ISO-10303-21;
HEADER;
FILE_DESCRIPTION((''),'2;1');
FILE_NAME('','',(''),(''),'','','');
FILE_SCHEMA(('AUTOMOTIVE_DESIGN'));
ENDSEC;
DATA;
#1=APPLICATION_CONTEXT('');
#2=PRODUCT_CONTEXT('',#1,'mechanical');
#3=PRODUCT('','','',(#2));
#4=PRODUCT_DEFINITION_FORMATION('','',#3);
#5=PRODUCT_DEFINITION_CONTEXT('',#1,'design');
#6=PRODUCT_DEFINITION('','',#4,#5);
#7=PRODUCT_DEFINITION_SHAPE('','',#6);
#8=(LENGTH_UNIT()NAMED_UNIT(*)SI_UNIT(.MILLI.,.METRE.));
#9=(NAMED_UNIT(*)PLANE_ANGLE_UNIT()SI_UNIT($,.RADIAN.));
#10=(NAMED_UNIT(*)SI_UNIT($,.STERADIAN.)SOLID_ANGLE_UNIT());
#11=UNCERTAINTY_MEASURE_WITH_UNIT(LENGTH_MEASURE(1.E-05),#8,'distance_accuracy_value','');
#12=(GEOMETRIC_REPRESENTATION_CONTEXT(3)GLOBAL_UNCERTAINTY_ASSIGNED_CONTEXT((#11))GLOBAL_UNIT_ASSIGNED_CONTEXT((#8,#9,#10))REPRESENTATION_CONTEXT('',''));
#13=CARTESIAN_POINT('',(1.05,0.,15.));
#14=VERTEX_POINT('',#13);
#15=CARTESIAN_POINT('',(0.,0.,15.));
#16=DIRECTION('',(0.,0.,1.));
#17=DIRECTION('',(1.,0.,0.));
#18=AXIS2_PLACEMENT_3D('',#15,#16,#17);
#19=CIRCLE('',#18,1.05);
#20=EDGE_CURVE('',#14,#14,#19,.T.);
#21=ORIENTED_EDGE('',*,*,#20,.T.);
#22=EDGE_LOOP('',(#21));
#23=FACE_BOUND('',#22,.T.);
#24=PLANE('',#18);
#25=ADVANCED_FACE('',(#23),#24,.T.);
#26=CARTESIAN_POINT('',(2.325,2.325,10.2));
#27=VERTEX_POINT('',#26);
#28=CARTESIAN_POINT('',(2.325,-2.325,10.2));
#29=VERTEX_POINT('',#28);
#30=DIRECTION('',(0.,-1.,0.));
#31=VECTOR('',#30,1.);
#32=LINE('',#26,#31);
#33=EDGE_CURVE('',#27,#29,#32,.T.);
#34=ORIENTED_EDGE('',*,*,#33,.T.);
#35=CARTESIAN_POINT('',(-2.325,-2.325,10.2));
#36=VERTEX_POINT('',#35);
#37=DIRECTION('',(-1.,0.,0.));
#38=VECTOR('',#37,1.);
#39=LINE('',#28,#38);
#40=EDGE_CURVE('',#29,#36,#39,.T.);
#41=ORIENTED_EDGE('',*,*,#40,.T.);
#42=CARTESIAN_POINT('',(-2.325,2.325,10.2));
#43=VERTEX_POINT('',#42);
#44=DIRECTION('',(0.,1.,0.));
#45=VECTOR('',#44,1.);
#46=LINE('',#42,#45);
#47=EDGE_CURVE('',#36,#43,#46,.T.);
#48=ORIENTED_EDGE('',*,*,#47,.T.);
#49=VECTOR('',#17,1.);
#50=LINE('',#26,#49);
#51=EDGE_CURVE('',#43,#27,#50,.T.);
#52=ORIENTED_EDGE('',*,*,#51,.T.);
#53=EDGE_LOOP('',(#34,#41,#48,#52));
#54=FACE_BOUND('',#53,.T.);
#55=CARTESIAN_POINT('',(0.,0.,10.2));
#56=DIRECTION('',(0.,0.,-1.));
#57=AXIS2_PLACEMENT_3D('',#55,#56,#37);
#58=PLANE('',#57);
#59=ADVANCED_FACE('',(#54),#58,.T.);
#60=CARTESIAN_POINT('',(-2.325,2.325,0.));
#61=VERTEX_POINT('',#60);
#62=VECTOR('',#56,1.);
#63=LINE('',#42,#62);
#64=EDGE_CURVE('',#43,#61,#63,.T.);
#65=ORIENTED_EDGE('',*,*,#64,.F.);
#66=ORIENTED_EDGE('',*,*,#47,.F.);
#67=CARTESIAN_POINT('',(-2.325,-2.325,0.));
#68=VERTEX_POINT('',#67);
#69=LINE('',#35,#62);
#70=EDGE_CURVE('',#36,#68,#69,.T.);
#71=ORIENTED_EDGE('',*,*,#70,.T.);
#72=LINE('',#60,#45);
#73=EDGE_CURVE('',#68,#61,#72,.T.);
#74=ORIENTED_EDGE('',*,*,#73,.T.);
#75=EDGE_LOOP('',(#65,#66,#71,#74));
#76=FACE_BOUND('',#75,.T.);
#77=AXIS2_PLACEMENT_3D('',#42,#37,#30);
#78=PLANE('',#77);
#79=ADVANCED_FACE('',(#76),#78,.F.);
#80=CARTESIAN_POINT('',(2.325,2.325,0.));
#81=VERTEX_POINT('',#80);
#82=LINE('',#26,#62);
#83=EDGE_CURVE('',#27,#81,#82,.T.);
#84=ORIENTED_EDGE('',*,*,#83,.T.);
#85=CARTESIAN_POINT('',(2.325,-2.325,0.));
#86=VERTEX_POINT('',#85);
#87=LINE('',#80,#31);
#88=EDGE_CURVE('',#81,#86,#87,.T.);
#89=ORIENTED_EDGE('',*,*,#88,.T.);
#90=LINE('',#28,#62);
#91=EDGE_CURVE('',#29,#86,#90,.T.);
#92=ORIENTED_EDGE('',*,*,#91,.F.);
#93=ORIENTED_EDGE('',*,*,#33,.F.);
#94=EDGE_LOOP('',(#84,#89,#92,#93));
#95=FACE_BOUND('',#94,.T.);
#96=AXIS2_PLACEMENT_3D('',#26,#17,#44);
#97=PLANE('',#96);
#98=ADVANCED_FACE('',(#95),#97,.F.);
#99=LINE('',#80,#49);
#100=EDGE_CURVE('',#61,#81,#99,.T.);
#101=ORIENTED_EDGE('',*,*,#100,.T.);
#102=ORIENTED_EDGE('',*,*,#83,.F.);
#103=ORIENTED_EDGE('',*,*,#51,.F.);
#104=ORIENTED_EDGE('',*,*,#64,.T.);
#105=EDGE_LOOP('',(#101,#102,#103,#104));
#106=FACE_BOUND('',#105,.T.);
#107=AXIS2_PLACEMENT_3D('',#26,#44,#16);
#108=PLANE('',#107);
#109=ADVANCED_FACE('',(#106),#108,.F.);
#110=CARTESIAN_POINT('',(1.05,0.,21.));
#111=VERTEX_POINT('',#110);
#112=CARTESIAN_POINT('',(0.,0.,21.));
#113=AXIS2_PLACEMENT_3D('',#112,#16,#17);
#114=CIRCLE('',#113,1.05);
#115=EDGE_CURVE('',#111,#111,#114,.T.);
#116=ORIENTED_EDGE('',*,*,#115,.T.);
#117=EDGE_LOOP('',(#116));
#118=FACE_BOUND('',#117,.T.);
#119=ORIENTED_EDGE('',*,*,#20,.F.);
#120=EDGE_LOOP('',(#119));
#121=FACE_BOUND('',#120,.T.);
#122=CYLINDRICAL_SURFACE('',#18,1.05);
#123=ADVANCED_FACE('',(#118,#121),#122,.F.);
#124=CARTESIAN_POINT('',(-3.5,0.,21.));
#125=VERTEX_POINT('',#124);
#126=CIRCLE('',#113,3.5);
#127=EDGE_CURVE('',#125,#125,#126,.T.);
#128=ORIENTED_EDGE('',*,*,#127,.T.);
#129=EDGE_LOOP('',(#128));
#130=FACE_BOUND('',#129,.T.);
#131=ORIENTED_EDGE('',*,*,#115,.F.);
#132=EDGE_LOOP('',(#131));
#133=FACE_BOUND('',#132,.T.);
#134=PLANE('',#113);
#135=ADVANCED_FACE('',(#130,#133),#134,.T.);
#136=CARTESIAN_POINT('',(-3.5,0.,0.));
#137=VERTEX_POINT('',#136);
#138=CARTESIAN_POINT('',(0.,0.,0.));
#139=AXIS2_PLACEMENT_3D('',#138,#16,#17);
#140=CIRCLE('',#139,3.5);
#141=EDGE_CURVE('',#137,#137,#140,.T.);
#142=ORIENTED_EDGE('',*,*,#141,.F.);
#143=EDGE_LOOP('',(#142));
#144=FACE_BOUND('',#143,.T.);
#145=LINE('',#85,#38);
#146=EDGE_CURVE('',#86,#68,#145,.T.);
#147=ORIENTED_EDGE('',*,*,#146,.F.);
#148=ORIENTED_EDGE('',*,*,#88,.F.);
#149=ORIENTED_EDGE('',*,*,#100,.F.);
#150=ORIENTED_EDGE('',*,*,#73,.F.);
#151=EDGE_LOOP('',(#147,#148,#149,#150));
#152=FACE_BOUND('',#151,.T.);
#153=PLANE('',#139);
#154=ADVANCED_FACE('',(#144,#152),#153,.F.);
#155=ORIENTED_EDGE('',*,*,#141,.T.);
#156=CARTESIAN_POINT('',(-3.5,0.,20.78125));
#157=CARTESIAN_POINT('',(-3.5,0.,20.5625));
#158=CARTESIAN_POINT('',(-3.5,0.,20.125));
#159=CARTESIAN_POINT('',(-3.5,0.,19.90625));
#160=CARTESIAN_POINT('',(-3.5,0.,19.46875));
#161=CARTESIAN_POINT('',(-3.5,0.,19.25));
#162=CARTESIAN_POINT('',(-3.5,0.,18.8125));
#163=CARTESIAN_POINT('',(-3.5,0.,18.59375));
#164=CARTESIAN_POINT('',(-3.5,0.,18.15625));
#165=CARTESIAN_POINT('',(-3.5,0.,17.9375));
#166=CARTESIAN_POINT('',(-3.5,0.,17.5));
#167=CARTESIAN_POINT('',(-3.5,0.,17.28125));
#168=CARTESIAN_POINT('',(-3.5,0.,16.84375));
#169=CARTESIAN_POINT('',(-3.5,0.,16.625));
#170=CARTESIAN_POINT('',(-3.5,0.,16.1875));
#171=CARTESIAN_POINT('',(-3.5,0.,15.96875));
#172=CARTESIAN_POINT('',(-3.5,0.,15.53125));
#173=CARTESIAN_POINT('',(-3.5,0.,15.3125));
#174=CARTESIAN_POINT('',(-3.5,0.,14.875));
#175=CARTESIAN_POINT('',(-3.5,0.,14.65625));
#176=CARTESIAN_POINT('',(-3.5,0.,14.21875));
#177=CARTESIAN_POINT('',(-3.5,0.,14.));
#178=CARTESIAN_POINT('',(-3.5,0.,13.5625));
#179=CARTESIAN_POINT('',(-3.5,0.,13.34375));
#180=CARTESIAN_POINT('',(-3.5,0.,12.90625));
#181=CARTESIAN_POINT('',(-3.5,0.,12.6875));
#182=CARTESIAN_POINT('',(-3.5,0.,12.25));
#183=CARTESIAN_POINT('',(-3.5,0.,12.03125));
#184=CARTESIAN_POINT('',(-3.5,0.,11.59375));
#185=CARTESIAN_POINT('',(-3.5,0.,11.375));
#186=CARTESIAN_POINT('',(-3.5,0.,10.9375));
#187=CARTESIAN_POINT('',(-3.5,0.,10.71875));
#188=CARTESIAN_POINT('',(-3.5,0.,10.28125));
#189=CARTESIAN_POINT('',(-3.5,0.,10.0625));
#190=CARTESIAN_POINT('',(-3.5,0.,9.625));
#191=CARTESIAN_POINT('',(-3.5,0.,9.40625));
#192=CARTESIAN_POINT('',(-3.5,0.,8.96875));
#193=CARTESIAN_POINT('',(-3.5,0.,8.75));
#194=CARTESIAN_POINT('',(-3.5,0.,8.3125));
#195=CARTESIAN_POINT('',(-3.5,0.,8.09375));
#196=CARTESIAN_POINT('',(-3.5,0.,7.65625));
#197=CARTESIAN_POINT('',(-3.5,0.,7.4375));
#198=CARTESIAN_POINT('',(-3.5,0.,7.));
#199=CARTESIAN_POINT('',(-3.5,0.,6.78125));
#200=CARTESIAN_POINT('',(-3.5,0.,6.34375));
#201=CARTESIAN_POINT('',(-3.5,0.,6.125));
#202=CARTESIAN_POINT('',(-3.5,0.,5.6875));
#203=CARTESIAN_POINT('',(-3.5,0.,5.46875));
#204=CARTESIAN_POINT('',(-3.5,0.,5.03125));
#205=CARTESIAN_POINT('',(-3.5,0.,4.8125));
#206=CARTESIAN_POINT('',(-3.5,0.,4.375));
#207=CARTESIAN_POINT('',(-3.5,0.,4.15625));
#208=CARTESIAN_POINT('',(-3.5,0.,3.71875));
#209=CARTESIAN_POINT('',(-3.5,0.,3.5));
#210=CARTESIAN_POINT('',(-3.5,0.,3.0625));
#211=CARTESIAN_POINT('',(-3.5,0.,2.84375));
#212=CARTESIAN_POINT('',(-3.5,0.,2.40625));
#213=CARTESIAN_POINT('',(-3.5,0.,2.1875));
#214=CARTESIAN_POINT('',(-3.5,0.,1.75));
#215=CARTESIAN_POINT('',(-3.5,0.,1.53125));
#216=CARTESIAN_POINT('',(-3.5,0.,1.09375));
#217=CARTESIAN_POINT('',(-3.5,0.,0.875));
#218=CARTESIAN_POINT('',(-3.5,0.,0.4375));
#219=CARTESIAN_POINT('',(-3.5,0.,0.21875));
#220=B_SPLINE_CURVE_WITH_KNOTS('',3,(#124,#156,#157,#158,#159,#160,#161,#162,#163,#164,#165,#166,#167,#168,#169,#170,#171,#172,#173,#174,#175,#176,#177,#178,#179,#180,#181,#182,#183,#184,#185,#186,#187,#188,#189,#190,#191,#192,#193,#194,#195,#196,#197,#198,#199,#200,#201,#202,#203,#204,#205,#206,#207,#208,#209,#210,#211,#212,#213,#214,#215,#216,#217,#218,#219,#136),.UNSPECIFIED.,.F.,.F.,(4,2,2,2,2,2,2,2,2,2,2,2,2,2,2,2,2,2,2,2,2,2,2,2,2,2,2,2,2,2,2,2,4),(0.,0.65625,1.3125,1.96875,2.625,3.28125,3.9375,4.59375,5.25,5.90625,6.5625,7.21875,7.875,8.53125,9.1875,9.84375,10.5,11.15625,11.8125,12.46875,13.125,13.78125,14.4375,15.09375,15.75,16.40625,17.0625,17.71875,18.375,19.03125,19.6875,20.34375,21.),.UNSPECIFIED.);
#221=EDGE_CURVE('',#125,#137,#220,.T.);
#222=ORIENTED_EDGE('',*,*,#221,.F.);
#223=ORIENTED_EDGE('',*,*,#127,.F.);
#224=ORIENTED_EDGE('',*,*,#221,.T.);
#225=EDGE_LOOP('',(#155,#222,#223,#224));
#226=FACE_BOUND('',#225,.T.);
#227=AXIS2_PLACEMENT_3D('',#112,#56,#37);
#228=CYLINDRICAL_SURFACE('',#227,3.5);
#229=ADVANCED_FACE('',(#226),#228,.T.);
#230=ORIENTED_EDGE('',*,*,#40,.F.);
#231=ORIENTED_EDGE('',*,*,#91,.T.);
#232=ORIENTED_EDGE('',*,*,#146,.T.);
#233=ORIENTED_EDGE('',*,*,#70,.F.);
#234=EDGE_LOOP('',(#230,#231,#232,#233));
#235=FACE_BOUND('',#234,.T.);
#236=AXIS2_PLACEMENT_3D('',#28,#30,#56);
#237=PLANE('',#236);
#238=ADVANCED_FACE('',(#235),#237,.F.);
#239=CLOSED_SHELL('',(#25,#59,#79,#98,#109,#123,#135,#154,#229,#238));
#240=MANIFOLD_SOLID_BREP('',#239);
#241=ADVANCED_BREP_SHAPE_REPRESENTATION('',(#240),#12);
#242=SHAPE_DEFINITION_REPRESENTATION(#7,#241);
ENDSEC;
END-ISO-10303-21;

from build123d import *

# Parameters (mm, degrees)
SKETCH2_R           = 3.5
BOSS_EXTRUDE1_DEPTH = 21
SKETCH7_R           = 1.05
CUT_EXTRUDE2_DEPTH  = 6
SKETCH4_W           = 4.65
SKETCH4_H           = 4.65
CUT_EXTRUDE5_DEPTH  = 10.2


with BuildPart() as part:
    # Sketch2 → Boss-Extrude1 (new body)
    with BuildSketch(Plane.XY):
        with Locations(Location((0, 0, 0), (0, 0, 180))):
            Circle(SKETCH2_R)
    extrude(amount=BOSS_EXTRUDE1_DEPTH)

    # Sketch7 → Cut-Extrude2 (cut)
    with BuildSketch(Plane.XY.offset(21)):
        Circle(SKETCH7_R)
    extrude(amount=-CUT_EXTRUDE2_DEPTH, mode=Mode.SUBTRACT)

    # Sketch4 → Cut-Extrude5 (cut)
    with BuildSketch(Plane(origin=(0, 0, 0), x_dir=(-1, 0, 0), z_dir=(0, 0, -1))):
        Rectangle(SKETCH4_W, SKETCH4_H)
    extrude(amount=-CUT_EXTRUDE5_DEPTH, mode=Mode.SUBTRACT)


solid = part.part
